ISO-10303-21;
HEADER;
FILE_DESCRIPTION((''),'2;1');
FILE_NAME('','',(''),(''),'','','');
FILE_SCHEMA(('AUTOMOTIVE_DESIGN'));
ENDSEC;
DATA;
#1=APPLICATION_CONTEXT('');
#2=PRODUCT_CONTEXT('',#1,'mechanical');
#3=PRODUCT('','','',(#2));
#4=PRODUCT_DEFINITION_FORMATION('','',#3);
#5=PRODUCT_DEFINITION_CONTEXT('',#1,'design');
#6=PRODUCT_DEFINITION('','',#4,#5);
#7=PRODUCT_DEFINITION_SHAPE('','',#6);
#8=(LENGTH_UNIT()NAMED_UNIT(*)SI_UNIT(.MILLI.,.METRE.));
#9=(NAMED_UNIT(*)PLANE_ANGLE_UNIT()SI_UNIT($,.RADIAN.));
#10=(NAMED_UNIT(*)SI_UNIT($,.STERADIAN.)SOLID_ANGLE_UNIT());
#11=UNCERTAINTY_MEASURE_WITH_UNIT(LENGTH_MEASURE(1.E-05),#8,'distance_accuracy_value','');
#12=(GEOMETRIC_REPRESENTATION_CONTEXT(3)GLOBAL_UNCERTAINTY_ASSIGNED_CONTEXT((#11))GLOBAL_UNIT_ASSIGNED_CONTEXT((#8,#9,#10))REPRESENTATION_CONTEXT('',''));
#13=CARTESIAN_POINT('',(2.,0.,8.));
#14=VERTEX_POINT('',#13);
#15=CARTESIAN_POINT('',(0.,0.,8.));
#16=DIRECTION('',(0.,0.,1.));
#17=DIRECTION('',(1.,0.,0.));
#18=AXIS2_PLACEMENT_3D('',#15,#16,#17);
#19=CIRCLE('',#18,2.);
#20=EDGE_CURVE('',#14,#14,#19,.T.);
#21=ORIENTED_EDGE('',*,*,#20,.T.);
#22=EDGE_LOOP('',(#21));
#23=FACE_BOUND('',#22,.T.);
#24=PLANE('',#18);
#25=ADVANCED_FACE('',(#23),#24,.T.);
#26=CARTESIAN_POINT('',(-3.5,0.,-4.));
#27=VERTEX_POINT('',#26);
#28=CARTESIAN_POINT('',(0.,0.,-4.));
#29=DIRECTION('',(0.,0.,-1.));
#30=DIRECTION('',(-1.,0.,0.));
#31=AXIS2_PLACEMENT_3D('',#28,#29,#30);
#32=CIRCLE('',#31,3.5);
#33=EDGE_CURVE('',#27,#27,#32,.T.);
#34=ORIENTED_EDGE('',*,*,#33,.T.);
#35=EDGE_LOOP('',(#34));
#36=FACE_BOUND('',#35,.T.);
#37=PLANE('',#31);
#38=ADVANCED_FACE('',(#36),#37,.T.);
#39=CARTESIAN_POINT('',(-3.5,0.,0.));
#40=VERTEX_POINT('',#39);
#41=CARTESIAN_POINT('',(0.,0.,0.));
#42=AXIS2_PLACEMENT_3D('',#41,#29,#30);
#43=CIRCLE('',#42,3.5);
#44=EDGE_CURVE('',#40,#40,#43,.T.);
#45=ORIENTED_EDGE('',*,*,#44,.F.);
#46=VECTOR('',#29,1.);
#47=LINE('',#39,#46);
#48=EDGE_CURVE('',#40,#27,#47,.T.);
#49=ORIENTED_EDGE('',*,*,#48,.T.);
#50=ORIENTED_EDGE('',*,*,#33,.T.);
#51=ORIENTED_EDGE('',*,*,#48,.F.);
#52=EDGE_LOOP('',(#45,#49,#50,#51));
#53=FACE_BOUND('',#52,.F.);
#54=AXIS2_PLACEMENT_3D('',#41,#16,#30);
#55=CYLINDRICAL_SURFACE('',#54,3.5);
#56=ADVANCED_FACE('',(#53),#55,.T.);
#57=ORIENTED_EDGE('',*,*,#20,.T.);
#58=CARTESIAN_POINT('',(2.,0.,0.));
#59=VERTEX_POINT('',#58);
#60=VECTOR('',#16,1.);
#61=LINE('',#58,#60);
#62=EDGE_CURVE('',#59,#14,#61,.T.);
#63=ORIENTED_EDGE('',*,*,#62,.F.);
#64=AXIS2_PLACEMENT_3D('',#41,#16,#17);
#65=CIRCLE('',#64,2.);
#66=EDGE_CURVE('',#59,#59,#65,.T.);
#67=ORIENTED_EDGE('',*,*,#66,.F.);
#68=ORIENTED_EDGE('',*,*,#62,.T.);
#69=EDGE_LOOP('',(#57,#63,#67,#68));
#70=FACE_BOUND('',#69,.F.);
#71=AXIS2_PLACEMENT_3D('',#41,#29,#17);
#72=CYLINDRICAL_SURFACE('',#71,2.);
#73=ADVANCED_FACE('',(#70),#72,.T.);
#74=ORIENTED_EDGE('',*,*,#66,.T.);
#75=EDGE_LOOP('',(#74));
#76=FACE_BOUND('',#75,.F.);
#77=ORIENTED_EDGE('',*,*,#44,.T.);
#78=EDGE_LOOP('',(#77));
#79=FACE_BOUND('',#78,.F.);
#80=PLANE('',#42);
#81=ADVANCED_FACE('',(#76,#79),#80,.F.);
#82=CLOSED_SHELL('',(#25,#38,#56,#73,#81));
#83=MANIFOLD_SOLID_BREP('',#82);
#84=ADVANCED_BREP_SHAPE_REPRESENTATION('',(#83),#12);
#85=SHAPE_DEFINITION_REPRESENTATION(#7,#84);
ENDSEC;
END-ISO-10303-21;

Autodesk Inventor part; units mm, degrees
ref_plane "YZ Plane" through (0, 0, 0) normal (1, 0, 0) x (0, 1, 0)
ref_plane "XZ Plane" through (0, 0, 0) normal (0, 1, 0) x (-1, 0, 0)
ref_plane "XY Plane" through (0, 0, 0) normal (0, 0, 1) x (1, 0, 0)
sketch "スケッチ1" plane through (0, 0, 0) normal (0, 0, 1) x (1, 0, 0)
  circle A0 centre (0, 0) radius 2
  dimension "d0" = 4
extrude "押し出し1" add sketch "スケッチ1" along normal blind 8
thread "ねじ1" size "M4x0.7" class "6g" standard "ANSI Metric M Profile" full length
sketch "スケッチ2" plane through (0, 0, 0) normal (0, 0, -1) x (-1, 0, 0)
  circle A0 centre (0, 0) radius 3.5
  dimension "d5" = 7
extrude "押し出し2" add sketch "スケッチ2" along normal blind 4
properties part number "ネジキャップm4.08" material "鋼、高強度、低合金"
